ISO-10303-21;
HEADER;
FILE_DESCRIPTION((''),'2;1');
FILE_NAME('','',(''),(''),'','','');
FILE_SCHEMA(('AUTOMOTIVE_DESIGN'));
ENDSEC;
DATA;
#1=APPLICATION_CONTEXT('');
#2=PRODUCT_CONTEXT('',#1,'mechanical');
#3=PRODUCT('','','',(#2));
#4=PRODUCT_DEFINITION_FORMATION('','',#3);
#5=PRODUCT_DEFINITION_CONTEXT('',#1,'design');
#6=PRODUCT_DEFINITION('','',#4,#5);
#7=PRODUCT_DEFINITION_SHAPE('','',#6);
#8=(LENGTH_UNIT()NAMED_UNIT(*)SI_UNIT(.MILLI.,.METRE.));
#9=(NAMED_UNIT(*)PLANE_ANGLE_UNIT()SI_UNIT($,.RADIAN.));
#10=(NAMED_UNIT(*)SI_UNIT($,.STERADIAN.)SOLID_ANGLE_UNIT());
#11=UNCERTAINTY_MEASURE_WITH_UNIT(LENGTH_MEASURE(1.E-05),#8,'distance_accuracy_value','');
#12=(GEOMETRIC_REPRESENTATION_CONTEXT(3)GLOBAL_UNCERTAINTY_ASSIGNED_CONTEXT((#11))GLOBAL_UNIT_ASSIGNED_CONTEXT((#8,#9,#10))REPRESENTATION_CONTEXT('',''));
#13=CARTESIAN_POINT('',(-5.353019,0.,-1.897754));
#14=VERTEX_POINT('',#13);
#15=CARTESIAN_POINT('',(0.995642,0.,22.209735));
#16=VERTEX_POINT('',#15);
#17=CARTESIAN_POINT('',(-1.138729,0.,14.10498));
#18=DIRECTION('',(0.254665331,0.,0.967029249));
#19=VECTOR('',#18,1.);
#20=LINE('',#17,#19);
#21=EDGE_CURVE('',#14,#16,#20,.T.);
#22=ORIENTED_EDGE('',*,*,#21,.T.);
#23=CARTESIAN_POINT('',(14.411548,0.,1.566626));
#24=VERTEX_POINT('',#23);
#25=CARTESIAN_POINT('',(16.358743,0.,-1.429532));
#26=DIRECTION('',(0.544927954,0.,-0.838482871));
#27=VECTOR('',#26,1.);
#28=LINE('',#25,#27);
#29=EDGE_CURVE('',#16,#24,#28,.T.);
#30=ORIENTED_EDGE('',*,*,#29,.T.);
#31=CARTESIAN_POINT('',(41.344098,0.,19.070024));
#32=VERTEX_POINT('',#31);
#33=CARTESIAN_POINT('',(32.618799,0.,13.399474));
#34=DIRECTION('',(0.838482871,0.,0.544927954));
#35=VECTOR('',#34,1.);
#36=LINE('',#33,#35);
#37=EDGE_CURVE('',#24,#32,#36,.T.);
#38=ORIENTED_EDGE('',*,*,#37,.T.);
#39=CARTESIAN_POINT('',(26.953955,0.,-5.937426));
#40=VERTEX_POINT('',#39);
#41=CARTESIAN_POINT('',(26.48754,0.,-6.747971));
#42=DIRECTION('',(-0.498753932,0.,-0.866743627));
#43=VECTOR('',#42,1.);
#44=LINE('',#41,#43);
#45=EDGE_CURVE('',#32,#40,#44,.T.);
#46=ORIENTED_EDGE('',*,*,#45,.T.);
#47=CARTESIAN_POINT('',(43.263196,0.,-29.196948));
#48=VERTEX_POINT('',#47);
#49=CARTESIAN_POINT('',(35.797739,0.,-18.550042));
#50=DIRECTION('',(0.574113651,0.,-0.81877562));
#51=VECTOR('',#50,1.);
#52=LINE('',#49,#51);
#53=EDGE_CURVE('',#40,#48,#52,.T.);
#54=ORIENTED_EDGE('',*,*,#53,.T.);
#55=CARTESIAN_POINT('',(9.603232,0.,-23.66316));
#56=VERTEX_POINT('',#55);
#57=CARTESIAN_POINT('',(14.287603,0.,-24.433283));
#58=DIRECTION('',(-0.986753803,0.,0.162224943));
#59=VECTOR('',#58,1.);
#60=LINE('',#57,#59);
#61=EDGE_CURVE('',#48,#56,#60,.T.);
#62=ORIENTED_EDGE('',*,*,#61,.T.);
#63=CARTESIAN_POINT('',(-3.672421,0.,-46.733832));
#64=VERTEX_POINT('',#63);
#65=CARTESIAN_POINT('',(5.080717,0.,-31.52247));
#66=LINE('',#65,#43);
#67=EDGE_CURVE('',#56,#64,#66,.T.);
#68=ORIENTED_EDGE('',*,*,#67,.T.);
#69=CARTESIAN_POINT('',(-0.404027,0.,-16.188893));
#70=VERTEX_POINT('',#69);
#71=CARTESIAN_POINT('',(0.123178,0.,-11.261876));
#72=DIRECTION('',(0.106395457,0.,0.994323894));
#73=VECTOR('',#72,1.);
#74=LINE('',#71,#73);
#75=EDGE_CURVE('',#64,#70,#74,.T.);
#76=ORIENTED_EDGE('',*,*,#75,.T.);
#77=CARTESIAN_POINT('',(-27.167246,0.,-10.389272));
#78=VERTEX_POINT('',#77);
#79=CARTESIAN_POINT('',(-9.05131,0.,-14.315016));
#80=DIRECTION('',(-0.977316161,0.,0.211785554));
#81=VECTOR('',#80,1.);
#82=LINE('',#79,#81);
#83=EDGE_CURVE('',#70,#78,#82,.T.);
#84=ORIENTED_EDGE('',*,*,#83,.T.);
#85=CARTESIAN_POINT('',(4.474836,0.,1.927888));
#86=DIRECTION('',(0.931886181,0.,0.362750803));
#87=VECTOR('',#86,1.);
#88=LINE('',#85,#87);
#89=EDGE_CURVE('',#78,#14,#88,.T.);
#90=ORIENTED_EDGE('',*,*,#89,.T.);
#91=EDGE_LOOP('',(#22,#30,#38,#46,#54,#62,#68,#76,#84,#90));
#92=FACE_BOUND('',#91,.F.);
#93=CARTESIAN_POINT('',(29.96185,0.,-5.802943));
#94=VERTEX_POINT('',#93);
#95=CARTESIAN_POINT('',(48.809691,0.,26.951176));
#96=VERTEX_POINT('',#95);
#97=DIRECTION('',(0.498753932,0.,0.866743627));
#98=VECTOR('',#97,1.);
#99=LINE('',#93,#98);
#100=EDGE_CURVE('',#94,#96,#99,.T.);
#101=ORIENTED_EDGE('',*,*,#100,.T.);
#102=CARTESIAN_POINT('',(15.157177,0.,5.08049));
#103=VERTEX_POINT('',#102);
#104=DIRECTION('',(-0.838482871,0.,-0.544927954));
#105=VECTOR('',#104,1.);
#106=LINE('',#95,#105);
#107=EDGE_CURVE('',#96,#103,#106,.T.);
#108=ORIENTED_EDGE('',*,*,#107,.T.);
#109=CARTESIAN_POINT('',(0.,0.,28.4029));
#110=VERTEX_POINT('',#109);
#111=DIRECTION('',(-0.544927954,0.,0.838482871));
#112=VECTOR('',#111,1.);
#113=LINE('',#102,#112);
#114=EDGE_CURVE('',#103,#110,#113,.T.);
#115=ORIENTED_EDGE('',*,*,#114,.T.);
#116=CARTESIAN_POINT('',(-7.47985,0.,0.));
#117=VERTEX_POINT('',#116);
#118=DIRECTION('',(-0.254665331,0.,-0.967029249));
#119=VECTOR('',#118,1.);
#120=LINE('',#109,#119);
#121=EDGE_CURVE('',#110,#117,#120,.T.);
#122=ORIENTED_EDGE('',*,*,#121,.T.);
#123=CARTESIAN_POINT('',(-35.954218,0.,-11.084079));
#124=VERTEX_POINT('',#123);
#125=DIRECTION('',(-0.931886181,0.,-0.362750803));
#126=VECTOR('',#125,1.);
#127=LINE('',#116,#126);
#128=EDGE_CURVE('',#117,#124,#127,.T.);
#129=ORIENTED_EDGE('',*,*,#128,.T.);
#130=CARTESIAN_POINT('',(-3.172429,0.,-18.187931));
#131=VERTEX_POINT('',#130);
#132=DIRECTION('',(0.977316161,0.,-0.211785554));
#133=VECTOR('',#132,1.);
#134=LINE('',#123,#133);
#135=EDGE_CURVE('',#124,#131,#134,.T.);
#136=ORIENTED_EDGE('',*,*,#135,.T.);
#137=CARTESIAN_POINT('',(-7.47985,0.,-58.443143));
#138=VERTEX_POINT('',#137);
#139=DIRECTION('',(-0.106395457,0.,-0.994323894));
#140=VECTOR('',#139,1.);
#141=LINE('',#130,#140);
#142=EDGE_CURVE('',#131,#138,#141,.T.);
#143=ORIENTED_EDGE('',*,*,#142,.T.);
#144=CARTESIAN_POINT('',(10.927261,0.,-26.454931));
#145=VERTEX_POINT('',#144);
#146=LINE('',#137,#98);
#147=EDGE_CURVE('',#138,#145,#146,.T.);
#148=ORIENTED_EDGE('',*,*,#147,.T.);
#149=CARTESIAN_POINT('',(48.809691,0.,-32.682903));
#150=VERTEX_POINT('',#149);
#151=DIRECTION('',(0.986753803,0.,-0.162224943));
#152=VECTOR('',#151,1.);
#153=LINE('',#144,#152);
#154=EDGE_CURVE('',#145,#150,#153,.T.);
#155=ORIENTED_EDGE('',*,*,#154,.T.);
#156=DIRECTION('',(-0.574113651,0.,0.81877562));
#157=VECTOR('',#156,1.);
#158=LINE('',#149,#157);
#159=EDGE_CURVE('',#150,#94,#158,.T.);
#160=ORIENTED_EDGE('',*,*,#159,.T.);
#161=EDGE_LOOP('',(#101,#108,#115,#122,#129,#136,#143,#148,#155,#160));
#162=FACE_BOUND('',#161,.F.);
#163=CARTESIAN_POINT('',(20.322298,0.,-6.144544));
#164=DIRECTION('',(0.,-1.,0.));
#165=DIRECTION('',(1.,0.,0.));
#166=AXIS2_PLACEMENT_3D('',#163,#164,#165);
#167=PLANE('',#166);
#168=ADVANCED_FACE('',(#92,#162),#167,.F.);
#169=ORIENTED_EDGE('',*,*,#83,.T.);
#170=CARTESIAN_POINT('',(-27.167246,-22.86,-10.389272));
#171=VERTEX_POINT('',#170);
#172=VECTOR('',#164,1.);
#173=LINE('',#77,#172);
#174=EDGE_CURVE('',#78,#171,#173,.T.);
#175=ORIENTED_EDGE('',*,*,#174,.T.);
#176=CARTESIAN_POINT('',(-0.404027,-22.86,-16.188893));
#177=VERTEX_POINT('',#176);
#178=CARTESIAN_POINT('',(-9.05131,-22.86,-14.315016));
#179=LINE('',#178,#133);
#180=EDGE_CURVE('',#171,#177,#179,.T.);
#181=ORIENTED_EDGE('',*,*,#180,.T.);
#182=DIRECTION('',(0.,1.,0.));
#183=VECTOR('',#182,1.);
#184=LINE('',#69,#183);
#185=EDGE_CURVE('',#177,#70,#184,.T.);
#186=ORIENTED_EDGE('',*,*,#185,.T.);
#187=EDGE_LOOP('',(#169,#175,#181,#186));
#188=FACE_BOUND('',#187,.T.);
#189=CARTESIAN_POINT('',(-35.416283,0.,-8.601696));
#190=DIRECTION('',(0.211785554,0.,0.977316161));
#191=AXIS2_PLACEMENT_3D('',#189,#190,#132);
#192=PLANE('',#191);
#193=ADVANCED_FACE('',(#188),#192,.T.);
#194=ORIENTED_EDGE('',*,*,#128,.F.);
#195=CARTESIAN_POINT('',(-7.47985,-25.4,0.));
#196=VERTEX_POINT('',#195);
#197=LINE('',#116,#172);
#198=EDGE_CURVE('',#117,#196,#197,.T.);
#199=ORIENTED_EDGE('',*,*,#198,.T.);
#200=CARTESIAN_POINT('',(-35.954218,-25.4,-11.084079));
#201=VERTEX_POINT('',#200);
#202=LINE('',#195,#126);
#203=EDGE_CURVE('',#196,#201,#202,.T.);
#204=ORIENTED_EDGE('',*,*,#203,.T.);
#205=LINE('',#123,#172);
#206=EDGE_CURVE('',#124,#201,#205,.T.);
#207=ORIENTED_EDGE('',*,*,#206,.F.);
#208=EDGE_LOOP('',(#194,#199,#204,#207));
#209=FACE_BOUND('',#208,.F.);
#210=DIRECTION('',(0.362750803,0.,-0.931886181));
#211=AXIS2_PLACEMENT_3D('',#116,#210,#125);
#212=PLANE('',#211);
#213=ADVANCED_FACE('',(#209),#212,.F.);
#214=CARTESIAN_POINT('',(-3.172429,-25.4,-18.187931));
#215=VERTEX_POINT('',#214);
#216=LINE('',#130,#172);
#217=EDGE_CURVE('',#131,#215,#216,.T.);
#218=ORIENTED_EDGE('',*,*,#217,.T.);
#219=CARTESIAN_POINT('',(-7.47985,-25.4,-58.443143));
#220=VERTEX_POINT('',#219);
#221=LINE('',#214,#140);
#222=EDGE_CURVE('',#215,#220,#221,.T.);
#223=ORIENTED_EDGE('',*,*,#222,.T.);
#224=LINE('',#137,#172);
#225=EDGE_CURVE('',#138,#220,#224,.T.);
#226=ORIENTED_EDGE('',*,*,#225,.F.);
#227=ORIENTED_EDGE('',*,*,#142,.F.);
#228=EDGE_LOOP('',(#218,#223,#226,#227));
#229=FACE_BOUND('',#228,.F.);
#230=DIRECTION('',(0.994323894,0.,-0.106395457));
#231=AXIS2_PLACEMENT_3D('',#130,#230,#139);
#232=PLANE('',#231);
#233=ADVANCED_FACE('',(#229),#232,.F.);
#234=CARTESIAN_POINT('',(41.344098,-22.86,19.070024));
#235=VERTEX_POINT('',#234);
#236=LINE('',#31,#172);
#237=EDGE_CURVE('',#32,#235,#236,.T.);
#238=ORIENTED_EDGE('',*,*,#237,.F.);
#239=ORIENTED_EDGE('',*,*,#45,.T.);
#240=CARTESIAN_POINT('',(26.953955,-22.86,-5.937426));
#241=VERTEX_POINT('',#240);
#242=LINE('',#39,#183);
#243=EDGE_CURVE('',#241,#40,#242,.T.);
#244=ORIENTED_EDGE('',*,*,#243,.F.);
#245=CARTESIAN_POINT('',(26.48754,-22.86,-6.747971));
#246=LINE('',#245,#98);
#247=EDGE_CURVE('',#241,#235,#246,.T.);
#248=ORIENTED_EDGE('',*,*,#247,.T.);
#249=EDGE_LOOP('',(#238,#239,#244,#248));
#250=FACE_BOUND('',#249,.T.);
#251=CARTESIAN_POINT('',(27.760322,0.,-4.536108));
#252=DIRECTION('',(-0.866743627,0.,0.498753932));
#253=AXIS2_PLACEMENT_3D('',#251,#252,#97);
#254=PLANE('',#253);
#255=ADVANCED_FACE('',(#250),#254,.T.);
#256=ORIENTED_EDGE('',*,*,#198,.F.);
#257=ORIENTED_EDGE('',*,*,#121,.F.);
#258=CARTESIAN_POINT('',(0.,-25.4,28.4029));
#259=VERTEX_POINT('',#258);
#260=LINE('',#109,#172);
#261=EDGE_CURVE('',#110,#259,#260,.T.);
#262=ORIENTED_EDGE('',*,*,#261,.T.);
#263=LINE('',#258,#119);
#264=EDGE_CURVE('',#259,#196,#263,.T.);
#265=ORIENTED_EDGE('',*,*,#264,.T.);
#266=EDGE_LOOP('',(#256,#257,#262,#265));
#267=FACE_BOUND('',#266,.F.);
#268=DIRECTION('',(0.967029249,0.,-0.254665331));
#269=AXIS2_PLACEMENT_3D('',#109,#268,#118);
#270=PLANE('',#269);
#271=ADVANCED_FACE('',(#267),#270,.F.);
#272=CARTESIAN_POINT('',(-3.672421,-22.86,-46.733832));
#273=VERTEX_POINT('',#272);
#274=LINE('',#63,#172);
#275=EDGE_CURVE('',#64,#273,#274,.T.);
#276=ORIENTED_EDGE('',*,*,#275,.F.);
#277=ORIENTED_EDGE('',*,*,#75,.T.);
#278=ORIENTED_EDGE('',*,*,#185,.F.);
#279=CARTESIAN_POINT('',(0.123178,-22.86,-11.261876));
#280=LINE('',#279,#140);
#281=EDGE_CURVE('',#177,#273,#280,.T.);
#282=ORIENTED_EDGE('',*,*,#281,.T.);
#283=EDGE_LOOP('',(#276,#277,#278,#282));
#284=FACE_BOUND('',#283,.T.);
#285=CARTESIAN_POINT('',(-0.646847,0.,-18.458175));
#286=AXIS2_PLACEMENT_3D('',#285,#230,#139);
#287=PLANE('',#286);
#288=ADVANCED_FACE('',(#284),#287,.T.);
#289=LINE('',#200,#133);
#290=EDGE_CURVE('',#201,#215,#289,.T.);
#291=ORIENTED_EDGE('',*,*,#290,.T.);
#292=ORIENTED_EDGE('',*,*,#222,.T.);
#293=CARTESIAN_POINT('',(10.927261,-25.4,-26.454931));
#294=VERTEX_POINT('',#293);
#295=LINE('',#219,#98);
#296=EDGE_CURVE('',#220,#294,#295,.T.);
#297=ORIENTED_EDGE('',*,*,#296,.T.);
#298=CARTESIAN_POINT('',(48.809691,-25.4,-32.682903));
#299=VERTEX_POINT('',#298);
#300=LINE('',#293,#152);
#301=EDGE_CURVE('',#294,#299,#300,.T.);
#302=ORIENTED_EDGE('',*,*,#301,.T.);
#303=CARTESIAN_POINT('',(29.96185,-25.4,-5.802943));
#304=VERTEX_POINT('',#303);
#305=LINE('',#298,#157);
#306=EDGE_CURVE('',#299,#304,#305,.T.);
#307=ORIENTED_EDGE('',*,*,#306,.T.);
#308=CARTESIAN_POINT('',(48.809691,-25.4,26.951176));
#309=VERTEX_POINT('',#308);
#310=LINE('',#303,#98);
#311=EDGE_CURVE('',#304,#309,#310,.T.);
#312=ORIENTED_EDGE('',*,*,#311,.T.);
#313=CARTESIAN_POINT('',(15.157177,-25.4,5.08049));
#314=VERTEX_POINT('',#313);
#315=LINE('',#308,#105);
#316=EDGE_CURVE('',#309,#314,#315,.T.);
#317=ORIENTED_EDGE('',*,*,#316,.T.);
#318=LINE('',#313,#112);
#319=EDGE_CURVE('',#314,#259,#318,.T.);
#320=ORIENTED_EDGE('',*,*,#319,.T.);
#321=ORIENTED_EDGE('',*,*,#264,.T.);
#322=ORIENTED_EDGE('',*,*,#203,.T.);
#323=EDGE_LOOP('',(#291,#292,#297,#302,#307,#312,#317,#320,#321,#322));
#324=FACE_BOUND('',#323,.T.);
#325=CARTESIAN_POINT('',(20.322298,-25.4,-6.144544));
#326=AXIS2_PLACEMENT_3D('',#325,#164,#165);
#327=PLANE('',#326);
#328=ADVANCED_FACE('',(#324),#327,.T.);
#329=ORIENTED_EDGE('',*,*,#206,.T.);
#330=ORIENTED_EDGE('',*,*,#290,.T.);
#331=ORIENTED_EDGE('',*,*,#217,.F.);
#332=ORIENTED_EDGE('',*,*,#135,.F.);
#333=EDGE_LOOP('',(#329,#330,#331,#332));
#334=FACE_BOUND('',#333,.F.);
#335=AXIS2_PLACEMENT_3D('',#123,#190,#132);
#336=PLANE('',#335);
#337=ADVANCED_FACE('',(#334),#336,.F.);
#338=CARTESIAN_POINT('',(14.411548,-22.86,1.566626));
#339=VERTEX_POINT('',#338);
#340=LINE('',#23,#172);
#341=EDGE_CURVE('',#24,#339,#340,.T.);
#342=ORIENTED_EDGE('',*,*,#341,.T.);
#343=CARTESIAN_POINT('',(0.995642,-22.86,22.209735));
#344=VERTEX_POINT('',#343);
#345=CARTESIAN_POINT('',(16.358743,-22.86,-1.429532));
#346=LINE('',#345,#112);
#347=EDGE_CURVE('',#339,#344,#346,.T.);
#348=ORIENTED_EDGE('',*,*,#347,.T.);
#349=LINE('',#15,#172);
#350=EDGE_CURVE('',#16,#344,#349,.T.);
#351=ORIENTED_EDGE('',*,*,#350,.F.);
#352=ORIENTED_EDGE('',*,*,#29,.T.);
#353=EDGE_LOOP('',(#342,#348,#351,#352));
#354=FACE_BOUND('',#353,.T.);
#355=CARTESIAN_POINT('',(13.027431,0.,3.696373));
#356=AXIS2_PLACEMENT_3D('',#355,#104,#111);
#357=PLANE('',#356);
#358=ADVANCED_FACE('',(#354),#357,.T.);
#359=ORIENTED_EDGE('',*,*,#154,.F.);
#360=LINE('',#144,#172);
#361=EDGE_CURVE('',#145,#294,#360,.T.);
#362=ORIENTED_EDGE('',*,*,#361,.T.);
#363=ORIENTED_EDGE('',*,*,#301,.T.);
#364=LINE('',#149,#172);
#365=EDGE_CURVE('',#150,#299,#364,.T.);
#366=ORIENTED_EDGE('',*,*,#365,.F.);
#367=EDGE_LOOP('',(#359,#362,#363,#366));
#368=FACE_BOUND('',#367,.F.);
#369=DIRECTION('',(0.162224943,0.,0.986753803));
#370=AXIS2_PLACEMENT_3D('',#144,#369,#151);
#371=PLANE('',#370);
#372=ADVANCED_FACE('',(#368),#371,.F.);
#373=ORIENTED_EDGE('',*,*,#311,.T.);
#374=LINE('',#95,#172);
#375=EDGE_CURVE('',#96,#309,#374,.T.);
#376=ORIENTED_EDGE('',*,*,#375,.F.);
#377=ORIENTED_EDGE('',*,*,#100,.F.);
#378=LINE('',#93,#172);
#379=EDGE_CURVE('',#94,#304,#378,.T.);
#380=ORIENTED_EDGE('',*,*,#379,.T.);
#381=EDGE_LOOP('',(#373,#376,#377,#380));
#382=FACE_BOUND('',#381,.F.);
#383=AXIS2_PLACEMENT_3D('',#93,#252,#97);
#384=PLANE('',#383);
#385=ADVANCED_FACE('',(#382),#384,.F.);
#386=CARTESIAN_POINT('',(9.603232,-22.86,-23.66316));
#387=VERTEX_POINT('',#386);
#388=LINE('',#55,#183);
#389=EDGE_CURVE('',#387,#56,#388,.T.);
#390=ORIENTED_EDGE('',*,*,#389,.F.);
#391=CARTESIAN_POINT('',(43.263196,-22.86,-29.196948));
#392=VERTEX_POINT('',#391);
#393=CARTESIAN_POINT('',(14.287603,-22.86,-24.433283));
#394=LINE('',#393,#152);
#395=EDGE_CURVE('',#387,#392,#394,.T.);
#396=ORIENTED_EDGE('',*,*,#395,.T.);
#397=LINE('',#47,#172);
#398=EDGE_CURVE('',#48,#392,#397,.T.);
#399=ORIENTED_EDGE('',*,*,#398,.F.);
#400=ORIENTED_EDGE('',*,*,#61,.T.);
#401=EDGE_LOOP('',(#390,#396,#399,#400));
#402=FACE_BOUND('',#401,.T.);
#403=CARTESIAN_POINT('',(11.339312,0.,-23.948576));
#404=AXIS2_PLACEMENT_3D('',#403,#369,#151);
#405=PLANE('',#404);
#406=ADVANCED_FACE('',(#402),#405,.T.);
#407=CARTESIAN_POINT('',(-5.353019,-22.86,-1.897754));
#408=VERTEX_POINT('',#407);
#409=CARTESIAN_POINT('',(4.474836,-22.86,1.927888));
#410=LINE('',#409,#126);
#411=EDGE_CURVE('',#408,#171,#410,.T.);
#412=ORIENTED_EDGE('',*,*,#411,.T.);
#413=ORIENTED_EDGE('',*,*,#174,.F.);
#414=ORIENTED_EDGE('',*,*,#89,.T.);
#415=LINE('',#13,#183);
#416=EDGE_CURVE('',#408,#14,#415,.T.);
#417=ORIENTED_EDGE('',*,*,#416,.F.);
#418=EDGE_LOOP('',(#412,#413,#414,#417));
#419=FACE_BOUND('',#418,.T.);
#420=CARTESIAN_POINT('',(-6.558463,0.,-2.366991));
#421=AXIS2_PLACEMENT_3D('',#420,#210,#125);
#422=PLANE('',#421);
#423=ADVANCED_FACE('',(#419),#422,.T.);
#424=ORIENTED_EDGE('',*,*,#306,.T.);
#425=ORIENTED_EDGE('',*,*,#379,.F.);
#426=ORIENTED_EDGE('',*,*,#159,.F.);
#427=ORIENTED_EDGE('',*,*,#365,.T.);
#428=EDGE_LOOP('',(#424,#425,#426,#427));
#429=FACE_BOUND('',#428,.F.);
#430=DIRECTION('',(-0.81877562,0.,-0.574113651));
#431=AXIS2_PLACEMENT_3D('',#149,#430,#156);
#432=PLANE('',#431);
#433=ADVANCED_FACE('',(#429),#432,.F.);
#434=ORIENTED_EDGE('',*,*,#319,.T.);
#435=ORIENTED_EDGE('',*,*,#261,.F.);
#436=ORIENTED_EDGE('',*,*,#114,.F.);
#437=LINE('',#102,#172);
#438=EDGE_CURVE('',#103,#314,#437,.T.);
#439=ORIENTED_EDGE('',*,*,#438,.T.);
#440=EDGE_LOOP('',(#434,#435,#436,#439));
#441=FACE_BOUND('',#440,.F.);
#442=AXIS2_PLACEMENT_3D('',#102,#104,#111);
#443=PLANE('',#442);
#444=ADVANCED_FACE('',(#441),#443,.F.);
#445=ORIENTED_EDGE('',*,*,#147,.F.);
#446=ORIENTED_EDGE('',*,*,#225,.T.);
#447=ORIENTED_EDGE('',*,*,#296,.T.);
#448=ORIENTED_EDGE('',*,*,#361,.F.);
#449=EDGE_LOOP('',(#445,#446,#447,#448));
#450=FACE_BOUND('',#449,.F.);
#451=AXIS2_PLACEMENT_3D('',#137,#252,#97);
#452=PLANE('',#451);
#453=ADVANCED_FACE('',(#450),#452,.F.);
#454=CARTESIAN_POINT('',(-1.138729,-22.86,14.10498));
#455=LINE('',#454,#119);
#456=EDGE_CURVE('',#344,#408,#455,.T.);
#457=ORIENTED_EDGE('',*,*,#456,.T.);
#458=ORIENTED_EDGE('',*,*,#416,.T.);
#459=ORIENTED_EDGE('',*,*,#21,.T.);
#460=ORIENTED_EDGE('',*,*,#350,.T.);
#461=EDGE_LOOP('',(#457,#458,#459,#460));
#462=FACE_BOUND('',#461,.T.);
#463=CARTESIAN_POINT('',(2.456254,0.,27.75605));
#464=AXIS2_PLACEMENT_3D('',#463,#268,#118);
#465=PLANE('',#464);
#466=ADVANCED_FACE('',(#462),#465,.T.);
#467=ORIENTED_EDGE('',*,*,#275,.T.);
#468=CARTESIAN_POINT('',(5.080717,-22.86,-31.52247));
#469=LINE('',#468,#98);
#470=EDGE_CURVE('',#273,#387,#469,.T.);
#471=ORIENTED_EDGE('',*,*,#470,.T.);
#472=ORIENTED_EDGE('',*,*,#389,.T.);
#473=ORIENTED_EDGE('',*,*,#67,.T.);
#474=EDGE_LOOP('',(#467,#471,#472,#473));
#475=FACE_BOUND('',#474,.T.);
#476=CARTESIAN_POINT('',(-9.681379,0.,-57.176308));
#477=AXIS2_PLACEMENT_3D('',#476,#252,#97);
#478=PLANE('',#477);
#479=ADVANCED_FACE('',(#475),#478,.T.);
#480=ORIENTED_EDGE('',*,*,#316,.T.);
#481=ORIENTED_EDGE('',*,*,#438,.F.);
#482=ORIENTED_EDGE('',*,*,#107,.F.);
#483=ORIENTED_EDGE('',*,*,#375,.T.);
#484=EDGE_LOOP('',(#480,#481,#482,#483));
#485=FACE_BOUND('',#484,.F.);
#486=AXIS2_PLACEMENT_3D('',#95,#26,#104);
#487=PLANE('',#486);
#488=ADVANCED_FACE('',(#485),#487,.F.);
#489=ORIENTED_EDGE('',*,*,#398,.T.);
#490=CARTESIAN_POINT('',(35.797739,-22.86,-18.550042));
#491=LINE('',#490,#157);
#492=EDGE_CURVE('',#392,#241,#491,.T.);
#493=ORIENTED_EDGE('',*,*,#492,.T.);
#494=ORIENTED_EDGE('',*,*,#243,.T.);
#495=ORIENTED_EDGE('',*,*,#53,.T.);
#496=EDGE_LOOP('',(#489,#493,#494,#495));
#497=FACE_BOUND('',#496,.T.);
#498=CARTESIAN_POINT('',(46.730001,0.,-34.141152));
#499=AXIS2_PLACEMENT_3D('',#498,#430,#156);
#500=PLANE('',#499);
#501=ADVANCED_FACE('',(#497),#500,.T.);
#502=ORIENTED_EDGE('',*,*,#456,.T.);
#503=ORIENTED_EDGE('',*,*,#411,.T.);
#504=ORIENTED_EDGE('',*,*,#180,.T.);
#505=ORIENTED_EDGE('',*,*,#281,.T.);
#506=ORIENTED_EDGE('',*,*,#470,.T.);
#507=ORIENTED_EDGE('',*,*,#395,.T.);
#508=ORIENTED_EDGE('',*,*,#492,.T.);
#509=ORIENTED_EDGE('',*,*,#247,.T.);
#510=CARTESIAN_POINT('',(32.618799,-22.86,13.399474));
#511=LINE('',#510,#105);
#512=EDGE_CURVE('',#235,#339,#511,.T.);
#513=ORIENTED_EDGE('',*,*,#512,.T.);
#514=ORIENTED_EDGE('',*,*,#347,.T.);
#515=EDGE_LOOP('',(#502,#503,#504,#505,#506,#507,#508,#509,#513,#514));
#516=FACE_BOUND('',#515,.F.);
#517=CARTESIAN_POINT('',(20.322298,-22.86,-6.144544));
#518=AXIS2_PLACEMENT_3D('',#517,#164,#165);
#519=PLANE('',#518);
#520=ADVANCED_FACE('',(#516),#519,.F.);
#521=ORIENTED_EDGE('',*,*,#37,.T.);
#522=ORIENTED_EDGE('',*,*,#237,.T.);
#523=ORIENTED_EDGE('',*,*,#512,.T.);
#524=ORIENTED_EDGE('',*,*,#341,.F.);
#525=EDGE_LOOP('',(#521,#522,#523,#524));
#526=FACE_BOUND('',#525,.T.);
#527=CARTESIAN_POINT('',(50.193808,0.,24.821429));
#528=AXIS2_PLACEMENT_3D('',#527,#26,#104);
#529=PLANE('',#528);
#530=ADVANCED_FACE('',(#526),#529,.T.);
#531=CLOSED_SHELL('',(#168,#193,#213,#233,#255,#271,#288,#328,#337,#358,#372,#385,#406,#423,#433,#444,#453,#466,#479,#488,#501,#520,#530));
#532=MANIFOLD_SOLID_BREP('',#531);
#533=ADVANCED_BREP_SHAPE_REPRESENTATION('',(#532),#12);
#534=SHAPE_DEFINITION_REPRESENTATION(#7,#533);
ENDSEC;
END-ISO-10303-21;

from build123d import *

# Parameters (mm, degrees)
F1_DEPTH = 25.4
F2_T     = -2.54


with BuildPart() as f1:
    # F0 (on Front) → F1 (new body)
    with BuildSketch(Plane.XZ):
        Polygon((15.157177113, 5.0804899074), (0, 28.4029003233), (0, -45.4445231952), (10.9272608534, -26.454931125), (48.8096907386, -32.682903111), (29.9618504941, -5.8029429056), (48.8096907386, 26.9511756652), align=None)
        Polygon((0, -45.4445231952), (0, 28.4029003233), (-7.4798503051, 0), (-35.9542183578, -11.0840788111), (-3.1724292785, -18.1879308075), (-7.4798503051, -58.4431426979), align=None)
    extrude(amount=F1_DEPTH)

    # F2
    f2_openings = [f1.faces().sort_by_distance(p)[0] for p in [
        (11.533171, 0, -9.565851),
    ]]
    offset(amount=F2_T, openings=f2_openings, kind=Kind.INTERSECTION)


solid = f1.part
